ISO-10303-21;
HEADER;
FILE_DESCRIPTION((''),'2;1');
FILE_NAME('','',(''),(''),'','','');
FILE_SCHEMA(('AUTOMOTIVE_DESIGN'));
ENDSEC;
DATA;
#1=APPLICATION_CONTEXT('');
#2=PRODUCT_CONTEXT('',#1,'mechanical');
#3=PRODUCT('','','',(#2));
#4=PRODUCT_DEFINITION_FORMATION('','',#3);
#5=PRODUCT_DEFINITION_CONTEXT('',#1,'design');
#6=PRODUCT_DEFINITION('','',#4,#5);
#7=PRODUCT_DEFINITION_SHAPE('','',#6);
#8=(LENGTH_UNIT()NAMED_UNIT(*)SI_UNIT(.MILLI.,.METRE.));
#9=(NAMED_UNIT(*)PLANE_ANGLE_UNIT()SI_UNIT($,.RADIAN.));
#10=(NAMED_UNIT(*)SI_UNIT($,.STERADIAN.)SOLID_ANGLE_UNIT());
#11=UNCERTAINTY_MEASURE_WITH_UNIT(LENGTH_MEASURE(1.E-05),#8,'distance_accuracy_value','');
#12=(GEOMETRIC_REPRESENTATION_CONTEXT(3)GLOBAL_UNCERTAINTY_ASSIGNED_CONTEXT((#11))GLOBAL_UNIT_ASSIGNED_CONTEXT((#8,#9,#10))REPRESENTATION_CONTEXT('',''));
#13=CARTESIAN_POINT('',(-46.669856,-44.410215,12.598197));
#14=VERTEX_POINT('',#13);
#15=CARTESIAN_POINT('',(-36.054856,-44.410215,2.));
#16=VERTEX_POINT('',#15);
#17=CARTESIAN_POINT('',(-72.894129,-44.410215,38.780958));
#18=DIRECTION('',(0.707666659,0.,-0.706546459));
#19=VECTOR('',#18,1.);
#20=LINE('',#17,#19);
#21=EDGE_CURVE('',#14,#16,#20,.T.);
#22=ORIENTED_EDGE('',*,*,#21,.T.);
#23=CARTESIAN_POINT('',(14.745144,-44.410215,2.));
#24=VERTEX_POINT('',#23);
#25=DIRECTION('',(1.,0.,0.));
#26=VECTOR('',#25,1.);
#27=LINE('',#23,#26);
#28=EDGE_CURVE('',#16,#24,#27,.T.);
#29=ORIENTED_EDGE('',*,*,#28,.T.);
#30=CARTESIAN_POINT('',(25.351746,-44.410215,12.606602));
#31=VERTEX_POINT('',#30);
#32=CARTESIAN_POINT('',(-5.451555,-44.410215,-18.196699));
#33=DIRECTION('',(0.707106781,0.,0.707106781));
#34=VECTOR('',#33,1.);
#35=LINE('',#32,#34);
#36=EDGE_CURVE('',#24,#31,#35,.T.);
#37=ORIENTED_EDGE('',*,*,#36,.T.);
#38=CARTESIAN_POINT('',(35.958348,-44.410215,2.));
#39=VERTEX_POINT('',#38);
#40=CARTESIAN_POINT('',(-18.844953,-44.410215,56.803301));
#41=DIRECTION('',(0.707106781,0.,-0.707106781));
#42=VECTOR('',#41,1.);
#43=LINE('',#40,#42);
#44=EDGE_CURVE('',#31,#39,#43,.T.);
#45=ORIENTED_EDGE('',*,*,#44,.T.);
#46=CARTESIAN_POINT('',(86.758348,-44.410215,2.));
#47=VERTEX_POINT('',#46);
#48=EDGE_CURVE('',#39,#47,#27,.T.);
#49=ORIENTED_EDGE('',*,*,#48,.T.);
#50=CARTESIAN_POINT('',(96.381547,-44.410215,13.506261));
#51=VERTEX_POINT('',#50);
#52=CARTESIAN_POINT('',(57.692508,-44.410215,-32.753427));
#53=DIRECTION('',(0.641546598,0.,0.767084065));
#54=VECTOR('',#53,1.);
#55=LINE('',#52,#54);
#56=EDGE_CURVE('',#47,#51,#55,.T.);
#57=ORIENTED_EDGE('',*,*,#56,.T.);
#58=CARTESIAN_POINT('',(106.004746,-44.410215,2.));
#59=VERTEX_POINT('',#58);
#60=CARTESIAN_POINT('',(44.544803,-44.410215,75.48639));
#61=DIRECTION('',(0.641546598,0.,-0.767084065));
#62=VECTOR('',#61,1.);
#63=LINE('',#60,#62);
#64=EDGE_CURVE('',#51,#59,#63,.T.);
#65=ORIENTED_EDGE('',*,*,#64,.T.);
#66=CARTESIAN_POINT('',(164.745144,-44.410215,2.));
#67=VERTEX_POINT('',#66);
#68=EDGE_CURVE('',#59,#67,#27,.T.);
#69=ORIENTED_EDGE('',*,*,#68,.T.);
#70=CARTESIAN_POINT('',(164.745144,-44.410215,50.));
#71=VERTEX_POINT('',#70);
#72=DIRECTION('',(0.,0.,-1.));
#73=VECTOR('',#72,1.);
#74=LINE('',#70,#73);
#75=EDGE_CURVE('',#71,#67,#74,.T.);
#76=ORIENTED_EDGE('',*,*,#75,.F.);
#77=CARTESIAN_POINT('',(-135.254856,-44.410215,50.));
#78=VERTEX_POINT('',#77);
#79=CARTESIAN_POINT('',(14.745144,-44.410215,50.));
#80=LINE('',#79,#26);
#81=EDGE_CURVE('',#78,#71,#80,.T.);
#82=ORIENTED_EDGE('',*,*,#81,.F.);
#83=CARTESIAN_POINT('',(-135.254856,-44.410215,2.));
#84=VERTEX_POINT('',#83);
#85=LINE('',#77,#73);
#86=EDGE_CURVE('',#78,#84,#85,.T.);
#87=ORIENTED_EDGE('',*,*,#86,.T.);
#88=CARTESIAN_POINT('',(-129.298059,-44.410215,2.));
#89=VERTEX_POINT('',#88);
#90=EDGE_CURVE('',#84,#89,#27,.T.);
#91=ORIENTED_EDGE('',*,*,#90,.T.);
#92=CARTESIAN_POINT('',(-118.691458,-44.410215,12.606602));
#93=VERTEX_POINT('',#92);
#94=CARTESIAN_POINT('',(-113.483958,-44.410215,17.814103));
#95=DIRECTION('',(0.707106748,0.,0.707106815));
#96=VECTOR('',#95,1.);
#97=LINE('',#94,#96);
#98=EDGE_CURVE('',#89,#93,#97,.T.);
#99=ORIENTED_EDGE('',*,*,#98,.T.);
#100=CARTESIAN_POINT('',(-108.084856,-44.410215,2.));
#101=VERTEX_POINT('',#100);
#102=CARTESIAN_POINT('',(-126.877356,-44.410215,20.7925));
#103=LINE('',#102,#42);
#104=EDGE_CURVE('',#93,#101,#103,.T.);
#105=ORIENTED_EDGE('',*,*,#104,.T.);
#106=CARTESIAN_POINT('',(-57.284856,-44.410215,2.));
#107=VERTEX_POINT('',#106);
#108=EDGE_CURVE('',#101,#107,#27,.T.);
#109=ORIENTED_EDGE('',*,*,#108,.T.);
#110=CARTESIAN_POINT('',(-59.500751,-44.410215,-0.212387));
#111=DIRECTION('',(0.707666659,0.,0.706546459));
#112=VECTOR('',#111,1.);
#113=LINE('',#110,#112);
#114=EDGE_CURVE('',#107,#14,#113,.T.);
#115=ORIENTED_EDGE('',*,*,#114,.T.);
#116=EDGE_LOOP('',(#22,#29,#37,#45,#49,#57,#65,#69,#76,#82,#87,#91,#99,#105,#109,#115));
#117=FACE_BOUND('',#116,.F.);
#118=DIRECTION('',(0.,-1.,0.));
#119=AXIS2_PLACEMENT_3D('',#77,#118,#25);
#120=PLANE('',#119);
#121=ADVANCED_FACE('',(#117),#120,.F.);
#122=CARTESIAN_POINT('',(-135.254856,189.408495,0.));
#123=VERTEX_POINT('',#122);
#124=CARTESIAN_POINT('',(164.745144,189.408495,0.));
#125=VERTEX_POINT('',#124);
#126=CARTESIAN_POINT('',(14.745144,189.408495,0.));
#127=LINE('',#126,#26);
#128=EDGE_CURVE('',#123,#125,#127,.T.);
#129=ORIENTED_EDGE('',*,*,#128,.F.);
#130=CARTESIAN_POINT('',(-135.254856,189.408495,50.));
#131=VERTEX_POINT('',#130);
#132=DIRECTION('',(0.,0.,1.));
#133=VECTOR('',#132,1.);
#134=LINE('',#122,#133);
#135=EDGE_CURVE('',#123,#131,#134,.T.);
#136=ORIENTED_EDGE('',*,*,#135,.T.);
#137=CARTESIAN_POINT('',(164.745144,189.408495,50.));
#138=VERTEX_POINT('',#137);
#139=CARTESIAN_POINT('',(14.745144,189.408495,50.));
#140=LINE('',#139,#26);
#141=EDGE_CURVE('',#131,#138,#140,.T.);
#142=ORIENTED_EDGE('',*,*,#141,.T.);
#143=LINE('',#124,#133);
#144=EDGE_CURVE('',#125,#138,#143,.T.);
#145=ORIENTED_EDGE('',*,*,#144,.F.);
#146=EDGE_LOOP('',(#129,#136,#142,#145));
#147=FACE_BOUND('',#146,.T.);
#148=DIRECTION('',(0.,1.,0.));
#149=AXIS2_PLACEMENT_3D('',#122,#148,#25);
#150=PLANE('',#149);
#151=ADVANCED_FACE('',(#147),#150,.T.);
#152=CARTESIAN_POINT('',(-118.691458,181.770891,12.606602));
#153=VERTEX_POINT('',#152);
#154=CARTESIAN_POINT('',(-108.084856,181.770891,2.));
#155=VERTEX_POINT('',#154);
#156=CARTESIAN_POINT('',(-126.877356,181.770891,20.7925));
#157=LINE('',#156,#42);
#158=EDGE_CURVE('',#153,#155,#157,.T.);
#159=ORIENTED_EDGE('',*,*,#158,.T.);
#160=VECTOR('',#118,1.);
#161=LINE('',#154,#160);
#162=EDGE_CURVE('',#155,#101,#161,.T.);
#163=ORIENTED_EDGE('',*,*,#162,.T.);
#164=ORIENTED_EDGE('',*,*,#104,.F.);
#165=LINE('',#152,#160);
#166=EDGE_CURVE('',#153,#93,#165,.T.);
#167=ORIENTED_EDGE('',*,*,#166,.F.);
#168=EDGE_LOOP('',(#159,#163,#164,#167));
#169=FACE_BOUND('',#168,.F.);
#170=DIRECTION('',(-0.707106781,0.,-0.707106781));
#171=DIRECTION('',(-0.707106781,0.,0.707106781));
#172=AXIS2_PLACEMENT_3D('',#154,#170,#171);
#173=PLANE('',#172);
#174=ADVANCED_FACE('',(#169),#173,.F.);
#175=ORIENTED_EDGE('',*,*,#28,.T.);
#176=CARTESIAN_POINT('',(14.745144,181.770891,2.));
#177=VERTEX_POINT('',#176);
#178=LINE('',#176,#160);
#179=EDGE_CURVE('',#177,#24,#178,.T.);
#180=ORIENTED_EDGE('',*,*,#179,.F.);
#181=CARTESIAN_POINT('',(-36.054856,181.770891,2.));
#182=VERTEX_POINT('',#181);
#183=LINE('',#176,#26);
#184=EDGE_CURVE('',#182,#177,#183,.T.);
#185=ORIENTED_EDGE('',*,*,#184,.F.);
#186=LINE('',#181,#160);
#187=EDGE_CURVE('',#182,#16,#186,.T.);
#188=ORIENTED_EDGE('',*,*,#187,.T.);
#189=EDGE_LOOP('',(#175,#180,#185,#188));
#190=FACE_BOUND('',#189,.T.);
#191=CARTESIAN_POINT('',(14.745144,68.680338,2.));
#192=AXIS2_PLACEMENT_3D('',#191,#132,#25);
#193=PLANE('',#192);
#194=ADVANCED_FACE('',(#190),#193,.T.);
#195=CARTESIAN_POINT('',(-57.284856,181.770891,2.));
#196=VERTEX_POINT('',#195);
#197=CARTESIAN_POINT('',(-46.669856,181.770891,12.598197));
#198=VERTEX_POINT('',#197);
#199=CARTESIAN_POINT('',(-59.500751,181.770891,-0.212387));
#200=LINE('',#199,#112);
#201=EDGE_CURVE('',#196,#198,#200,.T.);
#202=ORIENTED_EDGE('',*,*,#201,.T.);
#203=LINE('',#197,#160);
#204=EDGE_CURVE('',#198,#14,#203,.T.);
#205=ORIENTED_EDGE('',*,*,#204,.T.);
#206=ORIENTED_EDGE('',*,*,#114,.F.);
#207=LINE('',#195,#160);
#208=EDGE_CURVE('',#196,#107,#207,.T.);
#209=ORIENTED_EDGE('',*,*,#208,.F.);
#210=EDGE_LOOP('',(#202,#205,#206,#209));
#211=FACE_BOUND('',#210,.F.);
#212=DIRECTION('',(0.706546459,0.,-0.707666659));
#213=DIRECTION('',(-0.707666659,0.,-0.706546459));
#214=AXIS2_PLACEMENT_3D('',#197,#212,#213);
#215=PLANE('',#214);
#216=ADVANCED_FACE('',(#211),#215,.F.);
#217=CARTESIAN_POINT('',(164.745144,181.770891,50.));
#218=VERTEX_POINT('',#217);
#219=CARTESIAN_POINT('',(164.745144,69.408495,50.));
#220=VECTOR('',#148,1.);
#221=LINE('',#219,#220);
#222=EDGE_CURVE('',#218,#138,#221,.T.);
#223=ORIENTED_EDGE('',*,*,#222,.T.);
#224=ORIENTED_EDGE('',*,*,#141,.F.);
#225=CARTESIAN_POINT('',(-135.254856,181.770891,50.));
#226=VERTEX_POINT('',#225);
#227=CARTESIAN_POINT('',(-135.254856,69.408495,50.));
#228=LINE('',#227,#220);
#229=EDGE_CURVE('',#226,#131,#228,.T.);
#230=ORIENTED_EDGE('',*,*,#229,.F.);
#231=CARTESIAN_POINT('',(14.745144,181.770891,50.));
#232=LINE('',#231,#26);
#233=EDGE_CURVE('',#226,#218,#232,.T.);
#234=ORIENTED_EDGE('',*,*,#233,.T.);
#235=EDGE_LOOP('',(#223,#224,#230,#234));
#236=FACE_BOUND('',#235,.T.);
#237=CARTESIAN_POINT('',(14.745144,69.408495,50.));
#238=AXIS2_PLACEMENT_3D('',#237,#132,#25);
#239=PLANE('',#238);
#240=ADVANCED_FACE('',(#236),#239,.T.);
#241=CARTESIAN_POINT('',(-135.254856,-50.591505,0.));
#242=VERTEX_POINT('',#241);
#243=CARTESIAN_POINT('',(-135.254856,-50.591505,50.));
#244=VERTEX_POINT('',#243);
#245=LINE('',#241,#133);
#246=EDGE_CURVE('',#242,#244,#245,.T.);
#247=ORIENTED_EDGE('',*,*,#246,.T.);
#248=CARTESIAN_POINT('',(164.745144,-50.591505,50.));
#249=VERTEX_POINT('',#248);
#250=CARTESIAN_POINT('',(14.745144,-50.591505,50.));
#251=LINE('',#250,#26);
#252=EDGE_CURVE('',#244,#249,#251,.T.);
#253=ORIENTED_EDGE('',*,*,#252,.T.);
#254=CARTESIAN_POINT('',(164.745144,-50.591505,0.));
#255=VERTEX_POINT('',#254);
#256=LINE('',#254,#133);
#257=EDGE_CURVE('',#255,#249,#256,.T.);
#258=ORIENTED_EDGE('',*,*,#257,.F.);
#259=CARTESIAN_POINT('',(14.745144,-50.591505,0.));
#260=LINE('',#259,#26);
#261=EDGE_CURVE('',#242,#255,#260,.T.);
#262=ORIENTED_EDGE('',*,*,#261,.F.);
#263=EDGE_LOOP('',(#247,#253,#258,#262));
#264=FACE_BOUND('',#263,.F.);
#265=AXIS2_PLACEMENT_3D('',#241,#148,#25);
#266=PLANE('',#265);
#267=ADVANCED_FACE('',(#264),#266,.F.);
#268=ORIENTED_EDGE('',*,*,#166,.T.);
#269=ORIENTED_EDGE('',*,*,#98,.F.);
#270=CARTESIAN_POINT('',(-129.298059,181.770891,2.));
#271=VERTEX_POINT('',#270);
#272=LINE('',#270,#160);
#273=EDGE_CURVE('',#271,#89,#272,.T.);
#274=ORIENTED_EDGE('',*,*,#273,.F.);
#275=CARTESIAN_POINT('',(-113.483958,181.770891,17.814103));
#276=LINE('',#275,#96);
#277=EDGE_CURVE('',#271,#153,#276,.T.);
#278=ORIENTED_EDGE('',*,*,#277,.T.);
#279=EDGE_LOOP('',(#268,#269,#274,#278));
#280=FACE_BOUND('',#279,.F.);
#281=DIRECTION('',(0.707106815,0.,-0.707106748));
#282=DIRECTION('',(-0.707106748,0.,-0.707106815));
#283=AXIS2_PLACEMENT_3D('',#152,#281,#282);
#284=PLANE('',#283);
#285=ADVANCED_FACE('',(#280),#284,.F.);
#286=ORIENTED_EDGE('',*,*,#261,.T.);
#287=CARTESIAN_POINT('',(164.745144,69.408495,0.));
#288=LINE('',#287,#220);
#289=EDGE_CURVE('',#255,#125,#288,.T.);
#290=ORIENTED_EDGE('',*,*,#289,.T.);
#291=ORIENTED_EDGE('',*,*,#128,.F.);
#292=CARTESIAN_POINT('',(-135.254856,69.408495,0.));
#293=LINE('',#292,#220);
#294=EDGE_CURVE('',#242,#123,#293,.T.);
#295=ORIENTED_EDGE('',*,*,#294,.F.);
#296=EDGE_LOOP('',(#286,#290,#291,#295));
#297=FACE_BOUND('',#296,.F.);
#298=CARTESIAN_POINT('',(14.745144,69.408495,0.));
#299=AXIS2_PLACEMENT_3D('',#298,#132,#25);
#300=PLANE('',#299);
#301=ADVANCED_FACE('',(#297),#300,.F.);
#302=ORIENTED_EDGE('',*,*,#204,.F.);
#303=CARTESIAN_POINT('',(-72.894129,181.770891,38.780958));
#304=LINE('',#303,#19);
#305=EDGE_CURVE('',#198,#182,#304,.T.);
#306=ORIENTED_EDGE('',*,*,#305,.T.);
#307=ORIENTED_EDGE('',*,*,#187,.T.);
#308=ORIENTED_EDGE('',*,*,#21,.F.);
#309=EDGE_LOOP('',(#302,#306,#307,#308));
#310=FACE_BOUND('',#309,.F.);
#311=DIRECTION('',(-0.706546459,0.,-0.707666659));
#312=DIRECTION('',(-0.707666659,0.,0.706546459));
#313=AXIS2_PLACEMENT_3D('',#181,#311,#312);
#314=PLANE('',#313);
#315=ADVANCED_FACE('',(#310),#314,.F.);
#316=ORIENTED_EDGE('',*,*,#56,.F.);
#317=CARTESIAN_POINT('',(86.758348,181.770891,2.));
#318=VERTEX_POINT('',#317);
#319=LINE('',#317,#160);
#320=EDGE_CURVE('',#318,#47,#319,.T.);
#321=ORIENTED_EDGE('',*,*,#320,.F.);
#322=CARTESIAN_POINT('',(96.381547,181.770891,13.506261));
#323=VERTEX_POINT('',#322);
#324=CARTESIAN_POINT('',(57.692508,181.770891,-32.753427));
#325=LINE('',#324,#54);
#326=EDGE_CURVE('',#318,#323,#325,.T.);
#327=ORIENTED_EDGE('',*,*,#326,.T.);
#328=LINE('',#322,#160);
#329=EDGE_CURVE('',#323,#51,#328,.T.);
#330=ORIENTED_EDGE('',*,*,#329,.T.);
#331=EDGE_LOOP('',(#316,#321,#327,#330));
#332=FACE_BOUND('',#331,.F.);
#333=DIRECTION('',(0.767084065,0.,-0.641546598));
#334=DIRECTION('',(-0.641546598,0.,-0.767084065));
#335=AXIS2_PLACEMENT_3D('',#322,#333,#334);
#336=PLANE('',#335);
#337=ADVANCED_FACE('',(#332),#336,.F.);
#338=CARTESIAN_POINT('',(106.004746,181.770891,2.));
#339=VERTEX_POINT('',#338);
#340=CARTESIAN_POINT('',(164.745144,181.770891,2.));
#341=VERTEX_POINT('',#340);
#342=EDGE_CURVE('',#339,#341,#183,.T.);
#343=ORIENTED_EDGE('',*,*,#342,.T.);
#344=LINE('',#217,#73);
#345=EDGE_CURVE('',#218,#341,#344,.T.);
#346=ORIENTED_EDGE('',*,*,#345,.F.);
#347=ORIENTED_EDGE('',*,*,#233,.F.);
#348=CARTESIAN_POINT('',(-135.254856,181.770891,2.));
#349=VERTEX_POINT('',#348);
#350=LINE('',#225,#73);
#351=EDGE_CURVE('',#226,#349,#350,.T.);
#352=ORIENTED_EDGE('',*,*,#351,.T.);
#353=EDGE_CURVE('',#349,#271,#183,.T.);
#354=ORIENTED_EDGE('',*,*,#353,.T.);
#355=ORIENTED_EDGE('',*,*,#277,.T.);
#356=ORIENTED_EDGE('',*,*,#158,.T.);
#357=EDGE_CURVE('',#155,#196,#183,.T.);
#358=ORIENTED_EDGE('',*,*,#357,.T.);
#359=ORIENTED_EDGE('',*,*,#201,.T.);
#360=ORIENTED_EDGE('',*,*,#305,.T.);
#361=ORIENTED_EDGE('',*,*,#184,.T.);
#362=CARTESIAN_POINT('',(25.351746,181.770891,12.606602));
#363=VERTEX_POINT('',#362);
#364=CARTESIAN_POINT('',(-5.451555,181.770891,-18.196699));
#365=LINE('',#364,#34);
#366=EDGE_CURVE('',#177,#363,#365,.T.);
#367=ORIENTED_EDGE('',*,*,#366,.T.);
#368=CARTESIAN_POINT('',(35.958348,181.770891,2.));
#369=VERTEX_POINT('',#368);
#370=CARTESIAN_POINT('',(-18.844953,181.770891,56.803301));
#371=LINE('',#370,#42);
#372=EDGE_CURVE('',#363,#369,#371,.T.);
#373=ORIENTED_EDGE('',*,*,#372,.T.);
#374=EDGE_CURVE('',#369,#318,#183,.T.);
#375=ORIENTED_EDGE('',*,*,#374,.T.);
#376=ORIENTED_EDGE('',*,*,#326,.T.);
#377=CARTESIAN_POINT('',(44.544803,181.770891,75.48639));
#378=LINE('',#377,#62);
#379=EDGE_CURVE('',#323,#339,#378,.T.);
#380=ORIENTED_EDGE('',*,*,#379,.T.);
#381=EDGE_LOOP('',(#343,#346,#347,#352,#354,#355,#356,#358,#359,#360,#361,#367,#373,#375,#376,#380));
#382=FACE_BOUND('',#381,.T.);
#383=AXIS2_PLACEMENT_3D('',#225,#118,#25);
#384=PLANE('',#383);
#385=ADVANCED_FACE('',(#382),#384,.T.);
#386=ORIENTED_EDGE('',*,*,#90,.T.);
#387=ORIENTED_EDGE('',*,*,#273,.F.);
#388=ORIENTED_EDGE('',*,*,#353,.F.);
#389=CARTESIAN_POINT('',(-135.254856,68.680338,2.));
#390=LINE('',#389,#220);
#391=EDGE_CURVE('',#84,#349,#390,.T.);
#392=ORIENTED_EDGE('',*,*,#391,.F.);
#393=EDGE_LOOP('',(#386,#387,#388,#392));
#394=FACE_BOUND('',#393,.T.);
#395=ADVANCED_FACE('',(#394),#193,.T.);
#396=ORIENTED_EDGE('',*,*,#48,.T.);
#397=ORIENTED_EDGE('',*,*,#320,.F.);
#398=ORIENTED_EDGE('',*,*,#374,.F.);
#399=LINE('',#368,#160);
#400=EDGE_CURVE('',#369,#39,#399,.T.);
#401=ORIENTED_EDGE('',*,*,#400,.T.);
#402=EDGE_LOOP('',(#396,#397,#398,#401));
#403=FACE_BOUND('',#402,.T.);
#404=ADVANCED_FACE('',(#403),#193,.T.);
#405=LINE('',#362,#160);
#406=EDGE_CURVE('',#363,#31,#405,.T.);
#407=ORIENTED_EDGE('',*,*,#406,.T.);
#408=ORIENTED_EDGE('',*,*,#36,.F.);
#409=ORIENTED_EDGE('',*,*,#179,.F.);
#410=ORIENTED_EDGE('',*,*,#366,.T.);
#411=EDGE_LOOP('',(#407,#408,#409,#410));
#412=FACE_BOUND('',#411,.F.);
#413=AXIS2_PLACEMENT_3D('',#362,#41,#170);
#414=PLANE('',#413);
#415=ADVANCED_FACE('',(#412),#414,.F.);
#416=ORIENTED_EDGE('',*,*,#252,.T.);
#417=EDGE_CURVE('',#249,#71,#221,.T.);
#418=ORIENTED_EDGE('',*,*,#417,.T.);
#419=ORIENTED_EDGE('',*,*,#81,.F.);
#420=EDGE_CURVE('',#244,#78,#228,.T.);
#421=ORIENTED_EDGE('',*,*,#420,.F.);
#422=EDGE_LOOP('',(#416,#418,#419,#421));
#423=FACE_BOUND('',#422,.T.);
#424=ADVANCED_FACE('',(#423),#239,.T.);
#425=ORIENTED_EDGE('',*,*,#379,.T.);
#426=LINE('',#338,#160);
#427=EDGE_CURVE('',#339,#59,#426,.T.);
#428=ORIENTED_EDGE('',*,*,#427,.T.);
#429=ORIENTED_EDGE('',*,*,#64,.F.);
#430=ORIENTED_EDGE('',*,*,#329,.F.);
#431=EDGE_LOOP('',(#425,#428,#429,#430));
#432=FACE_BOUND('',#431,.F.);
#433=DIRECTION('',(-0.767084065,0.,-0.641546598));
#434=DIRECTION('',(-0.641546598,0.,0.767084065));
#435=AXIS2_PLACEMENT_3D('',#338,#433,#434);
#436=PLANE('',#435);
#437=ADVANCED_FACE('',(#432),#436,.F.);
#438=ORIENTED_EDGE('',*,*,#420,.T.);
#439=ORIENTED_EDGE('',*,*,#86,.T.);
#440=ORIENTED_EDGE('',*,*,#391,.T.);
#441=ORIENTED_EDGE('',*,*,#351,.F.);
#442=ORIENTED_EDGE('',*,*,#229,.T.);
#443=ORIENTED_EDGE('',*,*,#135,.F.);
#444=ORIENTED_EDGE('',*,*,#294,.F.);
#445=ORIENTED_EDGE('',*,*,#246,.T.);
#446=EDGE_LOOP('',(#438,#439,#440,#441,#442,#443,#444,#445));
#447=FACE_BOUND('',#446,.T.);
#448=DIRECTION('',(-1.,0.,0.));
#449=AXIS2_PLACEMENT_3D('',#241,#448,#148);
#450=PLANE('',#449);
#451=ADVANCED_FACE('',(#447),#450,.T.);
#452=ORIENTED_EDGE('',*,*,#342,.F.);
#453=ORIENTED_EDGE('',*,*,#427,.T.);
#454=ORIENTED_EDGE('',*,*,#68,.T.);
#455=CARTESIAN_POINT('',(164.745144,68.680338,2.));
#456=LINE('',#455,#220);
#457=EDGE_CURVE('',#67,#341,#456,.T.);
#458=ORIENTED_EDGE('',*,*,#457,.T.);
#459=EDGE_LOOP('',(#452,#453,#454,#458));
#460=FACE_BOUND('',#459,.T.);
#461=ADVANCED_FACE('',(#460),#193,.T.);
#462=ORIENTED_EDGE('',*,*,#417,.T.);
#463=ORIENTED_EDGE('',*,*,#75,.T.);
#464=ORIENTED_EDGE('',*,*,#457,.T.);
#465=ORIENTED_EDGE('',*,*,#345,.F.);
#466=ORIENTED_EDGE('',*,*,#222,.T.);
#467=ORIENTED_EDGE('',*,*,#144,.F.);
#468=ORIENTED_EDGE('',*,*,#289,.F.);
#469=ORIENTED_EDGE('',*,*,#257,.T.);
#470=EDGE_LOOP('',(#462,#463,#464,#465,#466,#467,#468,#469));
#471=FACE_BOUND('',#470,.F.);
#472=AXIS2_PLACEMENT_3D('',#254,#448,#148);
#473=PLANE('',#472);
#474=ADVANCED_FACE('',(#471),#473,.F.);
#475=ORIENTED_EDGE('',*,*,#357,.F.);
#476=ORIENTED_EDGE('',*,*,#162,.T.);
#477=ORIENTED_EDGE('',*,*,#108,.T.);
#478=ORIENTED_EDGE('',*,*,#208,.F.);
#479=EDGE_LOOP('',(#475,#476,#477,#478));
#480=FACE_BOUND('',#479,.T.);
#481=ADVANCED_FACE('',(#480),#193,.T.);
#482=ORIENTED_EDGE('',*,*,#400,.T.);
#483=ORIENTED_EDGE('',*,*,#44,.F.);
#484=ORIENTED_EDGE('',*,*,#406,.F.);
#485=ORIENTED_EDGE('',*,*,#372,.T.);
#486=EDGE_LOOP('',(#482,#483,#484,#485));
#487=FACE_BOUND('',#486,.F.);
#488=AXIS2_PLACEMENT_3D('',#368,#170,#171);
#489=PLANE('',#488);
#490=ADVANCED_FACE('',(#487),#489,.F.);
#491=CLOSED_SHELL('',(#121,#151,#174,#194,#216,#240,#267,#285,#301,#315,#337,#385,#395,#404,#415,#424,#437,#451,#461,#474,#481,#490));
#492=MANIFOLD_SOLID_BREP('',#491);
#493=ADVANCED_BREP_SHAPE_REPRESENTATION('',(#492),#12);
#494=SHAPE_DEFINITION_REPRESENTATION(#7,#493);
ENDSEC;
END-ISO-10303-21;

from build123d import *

# Parameters (mm, degrees)
F0_W     = 300
F0_H     = 240
F1_DEPTH = 50
F2_W     = 300
F2_H     = 226.181105
F3_DEPTH = 48
F5_DEPTH = 228.9


with BuildPart() as f1:
    # F0 (on Top) → F1 (new body)
    with BuildSketch(Plane.XY):
        with Locations((14.745144, 69.408495)):
            Rectangle(F0_W, F0_H)
    extrude(amount=F1_DEPTH)

    # F2 (on face) → F3 (cut)
    with BuildSketch(Plane.XY.offset(50)):
        with Locations((14.745144, 68.680338)):
            Rectangle(F2_W, F2_H)
    extrude(amount=-F3_DEPTH, mode=Mode.SUBTRACT)

    # F4 (on face) → F5 (join)
    with BuildSketch(Plane.XZ.offset(-181.770891)):
        Polygon((-118.691458, 12.606602), (-129.298059, 2), (-108.084856, 2), align=None)
        Polygon((14.745144, 2), (35.958348, 2), (25.351746, 12.606602), align=None)
        Polygon((86.758348, 2), (106.004746, 2), (96.381547, 13.506261), align=None)
        Polygon((-57.284856, 2), (-36.054856, 2), (-46.669856, 12.598197), align=None)
    extrude(amount=F5_DEPTH)


solid = f1.part
